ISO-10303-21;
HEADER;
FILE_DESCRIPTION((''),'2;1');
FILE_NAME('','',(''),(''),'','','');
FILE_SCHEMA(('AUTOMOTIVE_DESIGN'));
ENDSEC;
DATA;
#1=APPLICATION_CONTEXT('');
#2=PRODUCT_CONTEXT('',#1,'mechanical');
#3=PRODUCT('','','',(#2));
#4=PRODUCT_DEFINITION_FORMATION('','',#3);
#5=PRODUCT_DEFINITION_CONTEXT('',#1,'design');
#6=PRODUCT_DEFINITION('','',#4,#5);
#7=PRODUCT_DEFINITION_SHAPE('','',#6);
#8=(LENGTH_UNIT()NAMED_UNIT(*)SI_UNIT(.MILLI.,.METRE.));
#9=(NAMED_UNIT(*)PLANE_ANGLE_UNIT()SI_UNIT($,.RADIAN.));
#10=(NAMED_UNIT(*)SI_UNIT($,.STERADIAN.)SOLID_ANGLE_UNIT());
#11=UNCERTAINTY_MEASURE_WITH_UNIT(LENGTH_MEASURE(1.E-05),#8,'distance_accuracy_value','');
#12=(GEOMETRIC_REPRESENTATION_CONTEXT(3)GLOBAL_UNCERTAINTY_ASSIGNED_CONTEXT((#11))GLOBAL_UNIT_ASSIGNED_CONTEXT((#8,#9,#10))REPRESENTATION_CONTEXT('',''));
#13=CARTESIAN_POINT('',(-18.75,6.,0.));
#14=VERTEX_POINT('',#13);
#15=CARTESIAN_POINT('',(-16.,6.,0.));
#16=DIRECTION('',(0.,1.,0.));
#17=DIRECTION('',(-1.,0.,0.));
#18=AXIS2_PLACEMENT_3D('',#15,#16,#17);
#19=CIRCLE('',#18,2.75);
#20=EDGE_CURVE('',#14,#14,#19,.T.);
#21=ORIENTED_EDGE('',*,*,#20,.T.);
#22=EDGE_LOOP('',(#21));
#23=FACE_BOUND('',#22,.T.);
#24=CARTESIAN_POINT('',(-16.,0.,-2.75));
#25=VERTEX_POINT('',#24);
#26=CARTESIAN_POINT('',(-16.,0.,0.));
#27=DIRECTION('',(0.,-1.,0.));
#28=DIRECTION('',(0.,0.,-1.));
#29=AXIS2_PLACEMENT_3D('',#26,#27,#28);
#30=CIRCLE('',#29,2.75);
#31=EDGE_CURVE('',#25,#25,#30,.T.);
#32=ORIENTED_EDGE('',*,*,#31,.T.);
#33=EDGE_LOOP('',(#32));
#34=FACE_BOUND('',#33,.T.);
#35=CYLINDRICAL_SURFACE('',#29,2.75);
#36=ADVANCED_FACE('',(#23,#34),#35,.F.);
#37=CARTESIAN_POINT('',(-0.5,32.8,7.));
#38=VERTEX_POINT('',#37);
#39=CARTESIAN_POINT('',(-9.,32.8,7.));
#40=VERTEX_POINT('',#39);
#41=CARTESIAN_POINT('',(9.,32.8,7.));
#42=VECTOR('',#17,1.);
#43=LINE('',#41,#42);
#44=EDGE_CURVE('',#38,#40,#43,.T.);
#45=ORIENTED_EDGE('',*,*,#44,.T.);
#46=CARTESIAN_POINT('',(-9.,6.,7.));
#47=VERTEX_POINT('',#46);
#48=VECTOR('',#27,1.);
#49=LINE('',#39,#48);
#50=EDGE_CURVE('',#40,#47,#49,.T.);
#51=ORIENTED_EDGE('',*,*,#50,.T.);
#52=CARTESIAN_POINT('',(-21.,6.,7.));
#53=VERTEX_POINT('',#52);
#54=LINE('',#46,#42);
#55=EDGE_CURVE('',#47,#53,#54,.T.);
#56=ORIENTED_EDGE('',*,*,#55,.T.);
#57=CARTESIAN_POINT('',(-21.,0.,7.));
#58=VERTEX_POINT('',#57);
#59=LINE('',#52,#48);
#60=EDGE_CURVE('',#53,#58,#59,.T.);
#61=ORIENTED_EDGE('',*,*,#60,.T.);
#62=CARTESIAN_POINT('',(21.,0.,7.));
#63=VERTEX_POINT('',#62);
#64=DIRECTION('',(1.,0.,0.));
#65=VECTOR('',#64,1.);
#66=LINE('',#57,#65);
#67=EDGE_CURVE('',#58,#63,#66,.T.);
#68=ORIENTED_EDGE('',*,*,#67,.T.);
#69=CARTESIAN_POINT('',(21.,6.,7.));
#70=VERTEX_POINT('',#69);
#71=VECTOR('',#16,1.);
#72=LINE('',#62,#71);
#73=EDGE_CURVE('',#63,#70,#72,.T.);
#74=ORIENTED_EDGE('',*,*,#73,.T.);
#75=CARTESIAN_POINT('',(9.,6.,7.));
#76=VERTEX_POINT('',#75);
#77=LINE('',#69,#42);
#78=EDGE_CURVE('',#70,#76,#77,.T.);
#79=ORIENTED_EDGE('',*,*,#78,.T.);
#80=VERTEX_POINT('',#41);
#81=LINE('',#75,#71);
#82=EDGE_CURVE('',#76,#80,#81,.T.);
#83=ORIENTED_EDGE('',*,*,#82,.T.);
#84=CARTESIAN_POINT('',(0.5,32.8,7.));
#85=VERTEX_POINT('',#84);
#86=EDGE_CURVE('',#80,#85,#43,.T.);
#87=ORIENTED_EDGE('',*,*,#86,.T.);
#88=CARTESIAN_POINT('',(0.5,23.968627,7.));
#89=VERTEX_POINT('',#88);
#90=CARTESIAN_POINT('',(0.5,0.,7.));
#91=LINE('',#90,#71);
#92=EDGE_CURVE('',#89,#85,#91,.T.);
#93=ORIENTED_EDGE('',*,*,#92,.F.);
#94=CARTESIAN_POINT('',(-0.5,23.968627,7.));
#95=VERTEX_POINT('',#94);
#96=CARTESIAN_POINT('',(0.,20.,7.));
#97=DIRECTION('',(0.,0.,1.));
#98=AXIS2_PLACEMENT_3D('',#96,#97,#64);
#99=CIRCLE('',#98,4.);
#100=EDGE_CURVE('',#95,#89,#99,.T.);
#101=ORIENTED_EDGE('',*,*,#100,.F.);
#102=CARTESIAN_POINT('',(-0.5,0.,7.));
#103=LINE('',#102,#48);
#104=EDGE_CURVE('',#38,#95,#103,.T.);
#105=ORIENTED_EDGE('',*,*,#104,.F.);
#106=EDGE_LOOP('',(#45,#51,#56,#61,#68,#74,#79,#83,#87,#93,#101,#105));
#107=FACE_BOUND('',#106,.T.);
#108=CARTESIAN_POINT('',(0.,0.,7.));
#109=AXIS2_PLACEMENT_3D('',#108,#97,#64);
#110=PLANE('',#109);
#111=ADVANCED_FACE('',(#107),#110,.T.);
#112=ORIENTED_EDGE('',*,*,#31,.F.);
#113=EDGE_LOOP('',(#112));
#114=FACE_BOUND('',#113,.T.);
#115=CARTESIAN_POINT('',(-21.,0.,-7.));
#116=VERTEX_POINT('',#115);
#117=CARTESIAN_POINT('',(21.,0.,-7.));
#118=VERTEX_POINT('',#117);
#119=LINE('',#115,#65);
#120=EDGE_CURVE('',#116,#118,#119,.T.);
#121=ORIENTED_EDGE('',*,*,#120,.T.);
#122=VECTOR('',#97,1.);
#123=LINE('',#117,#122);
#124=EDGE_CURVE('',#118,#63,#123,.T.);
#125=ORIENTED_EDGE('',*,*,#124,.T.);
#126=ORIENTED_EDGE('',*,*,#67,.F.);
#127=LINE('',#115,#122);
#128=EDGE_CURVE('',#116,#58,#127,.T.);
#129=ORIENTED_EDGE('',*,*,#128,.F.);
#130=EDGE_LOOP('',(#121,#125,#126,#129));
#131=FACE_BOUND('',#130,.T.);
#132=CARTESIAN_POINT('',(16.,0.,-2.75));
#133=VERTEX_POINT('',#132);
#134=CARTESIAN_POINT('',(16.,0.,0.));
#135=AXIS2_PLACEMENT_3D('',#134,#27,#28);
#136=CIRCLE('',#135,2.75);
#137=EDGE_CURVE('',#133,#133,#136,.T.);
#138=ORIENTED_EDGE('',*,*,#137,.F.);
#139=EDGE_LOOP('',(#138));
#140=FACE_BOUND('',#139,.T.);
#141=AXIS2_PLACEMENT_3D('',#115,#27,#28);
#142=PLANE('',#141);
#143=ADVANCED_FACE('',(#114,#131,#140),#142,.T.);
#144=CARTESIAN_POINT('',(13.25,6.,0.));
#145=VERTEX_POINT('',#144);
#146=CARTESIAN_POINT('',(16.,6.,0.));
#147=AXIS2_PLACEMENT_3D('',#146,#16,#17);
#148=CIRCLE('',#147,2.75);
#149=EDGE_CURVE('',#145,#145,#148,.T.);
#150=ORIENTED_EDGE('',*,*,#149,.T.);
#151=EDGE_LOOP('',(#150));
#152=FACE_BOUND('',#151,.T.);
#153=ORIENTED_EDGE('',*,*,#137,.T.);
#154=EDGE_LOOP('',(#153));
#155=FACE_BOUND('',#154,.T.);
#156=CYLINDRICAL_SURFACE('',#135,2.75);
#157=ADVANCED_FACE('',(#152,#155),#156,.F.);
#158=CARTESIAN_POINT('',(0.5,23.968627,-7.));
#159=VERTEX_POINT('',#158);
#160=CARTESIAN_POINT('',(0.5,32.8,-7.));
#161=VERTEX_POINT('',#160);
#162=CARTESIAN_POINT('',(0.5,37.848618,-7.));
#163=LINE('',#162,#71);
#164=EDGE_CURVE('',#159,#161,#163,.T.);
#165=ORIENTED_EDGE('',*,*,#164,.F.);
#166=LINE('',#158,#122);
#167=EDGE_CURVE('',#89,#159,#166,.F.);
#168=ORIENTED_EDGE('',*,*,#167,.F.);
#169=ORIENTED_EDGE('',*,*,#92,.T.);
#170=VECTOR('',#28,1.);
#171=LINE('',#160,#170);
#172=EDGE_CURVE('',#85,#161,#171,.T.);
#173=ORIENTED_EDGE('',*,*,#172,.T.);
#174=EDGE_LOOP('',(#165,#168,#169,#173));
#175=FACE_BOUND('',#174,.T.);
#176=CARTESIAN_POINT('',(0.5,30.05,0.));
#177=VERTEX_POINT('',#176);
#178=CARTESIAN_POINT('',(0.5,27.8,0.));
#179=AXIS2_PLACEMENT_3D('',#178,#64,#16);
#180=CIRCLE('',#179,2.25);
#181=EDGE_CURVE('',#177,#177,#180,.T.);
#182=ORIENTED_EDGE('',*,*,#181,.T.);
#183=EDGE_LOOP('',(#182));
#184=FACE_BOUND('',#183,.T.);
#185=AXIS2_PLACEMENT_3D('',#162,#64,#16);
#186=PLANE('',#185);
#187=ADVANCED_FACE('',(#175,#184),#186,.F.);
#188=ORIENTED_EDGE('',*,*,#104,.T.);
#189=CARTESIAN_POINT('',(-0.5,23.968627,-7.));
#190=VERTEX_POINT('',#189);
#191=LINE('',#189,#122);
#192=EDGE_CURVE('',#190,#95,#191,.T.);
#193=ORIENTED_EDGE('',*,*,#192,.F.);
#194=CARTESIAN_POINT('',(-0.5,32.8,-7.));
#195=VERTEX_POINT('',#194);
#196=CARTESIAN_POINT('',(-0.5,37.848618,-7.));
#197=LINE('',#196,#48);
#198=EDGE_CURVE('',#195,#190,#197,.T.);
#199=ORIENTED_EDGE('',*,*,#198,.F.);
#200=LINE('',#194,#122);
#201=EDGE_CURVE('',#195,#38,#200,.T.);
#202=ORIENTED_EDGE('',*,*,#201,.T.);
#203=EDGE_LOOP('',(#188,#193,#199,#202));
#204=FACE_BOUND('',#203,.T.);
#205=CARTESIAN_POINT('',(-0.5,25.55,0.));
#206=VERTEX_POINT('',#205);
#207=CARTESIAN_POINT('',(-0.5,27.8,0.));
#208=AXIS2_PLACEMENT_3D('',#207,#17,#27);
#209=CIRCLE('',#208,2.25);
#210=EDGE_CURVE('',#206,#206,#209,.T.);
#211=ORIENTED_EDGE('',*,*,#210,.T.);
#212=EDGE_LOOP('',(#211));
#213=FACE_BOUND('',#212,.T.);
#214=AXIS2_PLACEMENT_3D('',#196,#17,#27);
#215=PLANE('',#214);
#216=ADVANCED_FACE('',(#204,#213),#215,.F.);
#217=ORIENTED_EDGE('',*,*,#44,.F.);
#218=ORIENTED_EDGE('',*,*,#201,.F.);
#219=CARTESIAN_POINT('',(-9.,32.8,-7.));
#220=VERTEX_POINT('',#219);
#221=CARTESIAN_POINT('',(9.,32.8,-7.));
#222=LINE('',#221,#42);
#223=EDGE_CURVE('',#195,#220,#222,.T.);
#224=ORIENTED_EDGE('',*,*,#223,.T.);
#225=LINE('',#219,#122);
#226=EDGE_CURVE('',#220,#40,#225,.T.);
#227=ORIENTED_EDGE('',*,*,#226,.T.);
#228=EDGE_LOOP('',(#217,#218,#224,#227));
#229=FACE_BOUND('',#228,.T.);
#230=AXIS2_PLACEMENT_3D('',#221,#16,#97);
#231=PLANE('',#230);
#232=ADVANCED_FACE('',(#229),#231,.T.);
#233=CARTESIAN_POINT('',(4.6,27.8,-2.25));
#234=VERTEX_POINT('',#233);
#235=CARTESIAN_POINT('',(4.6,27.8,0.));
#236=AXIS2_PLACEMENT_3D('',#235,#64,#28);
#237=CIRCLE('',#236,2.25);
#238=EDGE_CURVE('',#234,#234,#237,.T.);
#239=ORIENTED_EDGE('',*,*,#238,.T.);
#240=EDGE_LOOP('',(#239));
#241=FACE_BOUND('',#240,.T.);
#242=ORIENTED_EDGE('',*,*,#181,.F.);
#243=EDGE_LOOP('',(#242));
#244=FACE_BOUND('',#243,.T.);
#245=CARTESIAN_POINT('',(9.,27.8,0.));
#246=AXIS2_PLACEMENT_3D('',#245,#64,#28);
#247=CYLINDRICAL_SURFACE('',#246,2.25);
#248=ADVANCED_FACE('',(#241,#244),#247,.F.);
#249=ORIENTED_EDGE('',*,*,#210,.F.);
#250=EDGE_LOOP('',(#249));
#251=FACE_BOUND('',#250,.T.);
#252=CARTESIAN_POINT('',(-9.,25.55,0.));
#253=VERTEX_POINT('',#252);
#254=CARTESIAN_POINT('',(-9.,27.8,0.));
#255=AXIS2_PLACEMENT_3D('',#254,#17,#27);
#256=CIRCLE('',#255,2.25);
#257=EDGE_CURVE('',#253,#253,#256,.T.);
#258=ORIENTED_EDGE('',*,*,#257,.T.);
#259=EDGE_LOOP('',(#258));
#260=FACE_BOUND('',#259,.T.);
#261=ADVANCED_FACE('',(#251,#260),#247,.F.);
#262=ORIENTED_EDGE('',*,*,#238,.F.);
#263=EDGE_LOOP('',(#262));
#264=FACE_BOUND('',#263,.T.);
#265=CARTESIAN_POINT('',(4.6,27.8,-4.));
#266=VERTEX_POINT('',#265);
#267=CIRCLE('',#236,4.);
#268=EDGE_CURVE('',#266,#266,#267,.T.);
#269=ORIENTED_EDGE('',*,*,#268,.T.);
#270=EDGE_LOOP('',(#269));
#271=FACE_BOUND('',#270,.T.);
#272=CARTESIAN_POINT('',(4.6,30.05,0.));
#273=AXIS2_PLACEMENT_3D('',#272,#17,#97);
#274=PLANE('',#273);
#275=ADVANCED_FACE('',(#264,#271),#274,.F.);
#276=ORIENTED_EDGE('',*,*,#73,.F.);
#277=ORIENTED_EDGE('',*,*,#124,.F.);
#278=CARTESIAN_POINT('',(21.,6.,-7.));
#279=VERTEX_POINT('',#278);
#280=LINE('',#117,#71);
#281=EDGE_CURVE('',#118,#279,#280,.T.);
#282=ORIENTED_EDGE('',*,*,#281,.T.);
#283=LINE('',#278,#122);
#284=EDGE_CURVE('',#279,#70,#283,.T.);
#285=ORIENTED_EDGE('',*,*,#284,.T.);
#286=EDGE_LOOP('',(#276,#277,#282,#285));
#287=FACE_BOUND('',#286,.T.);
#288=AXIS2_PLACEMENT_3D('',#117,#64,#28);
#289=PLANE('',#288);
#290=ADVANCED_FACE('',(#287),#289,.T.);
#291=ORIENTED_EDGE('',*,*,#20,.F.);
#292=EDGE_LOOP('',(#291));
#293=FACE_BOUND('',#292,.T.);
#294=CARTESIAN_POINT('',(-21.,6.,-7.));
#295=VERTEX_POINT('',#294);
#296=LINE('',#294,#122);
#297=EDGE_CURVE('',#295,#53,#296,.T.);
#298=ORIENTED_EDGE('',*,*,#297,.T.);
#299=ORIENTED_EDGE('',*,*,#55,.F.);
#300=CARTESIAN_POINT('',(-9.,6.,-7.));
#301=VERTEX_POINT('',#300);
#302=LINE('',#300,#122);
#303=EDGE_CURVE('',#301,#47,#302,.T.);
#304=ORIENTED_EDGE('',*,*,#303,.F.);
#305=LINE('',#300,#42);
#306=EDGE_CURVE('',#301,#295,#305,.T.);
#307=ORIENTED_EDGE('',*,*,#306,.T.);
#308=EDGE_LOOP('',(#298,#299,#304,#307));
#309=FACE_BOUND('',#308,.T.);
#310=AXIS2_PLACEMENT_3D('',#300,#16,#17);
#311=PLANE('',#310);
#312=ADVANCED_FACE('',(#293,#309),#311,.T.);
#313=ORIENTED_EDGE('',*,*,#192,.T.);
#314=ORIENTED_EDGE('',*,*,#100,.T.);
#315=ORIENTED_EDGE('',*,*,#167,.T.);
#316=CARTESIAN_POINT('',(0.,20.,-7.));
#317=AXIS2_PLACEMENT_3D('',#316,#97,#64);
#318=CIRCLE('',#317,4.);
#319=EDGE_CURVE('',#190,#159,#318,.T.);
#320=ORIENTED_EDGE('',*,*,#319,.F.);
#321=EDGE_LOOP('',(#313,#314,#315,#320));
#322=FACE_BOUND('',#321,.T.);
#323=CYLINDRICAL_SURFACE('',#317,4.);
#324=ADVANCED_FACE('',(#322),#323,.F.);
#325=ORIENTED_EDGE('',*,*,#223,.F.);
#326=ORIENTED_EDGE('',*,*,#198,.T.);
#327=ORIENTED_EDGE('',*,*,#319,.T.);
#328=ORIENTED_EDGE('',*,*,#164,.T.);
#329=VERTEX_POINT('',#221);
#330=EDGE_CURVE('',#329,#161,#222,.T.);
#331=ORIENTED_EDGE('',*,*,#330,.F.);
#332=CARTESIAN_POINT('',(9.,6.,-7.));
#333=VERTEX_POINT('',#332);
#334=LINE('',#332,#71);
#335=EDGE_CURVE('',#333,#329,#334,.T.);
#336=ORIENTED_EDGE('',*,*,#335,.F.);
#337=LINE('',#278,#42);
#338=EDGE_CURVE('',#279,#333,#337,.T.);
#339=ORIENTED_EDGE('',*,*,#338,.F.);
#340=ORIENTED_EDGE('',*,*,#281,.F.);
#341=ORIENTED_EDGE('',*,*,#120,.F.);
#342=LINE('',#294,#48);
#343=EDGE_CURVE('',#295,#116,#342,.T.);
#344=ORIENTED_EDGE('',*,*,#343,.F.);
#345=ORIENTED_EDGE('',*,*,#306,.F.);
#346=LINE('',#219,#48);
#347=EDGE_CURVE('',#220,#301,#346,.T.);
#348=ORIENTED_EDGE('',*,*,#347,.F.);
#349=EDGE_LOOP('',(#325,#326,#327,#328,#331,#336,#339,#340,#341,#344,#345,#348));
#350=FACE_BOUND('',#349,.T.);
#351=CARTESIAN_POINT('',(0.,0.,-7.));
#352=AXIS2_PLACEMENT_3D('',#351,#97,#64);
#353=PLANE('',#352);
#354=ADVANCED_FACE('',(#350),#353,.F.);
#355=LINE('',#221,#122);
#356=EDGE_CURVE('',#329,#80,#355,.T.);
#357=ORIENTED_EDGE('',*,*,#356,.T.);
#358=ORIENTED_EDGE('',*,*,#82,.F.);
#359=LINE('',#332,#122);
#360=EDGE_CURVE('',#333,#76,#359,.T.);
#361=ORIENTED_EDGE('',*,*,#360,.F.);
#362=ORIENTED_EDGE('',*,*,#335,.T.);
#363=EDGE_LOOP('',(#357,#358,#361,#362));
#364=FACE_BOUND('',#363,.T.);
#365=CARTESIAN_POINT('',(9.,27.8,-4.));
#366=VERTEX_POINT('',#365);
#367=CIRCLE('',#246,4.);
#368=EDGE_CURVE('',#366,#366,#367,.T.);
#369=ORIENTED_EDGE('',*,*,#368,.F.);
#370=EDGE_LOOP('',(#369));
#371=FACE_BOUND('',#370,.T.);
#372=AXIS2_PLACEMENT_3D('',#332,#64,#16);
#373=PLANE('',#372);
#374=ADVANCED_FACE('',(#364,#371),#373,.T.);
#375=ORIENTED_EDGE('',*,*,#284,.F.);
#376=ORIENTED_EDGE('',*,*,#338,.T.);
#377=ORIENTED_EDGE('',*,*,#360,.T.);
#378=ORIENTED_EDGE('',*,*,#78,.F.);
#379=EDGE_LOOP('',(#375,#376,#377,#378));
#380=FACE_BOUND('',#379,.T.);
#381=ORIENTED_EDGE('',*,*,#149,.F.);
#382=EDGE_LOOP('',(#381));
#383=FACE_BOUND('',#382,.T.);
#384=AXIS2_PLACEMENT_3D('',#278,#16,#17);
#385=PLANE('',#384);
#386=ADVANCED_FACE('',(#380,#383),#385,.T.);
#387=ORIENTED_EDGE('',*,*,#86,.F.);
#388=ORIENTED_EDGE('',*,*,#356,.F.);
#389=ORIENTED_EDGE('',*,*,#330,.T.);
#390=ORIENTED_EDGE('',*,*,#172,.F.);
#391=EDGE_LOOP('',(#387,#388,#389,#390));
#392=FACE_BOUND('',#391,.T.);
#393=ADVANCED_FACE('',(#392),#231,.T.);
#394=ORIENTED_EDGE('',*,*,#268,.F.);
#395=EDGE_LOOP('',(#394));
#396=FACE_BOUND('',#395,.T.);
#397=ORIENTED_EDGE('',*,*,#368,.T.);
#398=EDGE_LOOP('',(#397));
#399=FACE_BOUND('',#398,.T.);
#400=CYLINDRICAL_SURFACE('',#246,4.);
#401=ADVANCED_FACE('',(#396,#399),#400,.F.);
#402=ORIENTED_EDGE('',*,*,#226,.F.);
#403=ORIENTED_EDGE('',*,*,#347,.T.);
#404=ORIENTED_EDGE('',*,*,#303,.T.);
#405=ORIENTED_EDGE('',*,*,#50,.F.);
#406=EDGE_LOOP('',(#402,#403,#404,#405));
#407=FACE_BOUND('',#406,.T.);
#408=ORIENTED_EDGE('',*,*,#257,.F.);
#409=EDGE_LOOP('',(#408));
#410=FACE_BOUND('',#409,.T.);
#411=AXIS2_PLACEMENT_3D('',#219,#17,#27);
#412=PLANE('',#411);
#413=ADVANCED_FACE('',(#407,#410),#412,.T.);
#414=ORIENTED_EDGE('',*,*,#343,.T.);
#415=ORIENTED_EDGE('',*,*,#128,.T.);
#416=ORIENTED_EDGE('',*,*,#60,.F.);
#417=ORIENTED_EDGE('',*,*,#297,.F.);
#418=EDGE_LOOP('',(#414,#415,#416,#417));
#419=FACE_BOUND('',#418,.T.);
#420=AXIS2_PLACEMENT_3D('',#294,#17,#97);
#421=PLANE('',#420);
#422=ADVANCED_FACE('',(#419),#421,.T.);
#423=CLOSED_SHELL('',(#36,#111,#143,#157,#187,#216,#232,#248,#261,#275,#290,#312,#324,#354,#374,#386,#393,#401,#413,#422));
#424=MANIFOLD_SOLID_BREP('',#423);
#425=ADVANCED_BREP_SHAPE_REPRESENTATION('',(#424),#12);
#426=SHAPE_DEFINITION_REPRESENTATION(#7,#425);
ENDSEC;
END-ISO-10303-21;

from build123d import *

# Parameters (mm, degrees)
SALIENTE_EXTRUIR1_DEPTH                              = 7
SALIENTE_EXTRUIR1_DEPTH_BACK                         = 7
CROQUIS1_R                                           = 4
TALADRO_DE_MARGEN_PARA_M51_D                         = 5.5
CORTAR_EXTRUIR1_DEPTH                                = 40.570696228
CORTAR_EXTRUIR1_DEPTH_BACK                           = 40.570696228
CROQUIS6_W                                           = 1
CROQUIS6_H                                           = 17.84861806
REFRENTADO_PARA_TORNILLO_CON_CABEZA_HUEC_D           = 4.5
REFRENTADO_PARA_TORNILLO_CON_CABEZA_HUEC_CBORE_D     = 8
REFRENTADO_PARA_TORNILLO_CON_CABEZA_HUEC_CBORE_DEPTH = 4.4


with BuildPart() as part:
    # Croquis1 → Saliente-Extruir1 (new, two sides: drawn at the far end of the back side and taken through both)
    with BuildSketch(Plane.XY.offset(-SALIENTE_EXTRUIR1_DEPTH_BACK)):
        Polygon((-21, 0), (21, 0), (21, 6), (9, 6), (9, 32.8), (-9, 32.8), (-9, 6), (-21, 6), align=None)
        with Locations((0, 20)):
            Circle(CROQUIS1_R, mode=Mode.SUBTRACT)
    extrude(amount=SALIENTE_EXTRUIR1_DEPTH + SALIENTE_EXTRUIR1_DEPTH_BACK)

    # Taladro de margen para M51 (through all)
    with Locations(Plane(origin=(0, 0, 0), x_dir=(-1, 0, 0), z_dir=(0, -1, 0))):
        with Locations((-16, 0), (16, 0)):
            Hole(TALADRO_DE_MARGEN_PARA_M51_D / 2)

    # Croquis6 → Cortar-Extruir1 (cut, two sides: drawn at the far end of the back side and taken through both)
    with BuildSketch(Plane.XY.offset(-CORTAR_EXTRUIR1_DEPTH_BACK)):
        with Locations((0, 28.92430903)):
            Rectangle(CROQUIS6_W, CROQUIS6_H)
    extrude(amount=CORTAR_EXTRUIR1_DEPTH + CORTAR_EXTRUIR1_DEPTH_BACK, mode=Mode.SUBTRACT)

    # Refrentado para tornillo con cabeza hueca de M41 (through all)
    with Locations(Plane(origin=(9, 0, 0), x_dir=(0, 0, -1), z_dir=(1, 0, 0))):
        with Locations((0, 27.8)):
            CounterBoreHole(REFRENTADO_PARA_TORNILLO_CON_CABEZA_HUEC_D / 2, REFRENTADO_PARA_TORNILLO_CON_CABEZA_HUEC_CBORE_D / 2, REFRENTADO_PARA_TORNILLO_CON_CABEZA_HUEC_CBORE_DEPTH)


solid = part.part
